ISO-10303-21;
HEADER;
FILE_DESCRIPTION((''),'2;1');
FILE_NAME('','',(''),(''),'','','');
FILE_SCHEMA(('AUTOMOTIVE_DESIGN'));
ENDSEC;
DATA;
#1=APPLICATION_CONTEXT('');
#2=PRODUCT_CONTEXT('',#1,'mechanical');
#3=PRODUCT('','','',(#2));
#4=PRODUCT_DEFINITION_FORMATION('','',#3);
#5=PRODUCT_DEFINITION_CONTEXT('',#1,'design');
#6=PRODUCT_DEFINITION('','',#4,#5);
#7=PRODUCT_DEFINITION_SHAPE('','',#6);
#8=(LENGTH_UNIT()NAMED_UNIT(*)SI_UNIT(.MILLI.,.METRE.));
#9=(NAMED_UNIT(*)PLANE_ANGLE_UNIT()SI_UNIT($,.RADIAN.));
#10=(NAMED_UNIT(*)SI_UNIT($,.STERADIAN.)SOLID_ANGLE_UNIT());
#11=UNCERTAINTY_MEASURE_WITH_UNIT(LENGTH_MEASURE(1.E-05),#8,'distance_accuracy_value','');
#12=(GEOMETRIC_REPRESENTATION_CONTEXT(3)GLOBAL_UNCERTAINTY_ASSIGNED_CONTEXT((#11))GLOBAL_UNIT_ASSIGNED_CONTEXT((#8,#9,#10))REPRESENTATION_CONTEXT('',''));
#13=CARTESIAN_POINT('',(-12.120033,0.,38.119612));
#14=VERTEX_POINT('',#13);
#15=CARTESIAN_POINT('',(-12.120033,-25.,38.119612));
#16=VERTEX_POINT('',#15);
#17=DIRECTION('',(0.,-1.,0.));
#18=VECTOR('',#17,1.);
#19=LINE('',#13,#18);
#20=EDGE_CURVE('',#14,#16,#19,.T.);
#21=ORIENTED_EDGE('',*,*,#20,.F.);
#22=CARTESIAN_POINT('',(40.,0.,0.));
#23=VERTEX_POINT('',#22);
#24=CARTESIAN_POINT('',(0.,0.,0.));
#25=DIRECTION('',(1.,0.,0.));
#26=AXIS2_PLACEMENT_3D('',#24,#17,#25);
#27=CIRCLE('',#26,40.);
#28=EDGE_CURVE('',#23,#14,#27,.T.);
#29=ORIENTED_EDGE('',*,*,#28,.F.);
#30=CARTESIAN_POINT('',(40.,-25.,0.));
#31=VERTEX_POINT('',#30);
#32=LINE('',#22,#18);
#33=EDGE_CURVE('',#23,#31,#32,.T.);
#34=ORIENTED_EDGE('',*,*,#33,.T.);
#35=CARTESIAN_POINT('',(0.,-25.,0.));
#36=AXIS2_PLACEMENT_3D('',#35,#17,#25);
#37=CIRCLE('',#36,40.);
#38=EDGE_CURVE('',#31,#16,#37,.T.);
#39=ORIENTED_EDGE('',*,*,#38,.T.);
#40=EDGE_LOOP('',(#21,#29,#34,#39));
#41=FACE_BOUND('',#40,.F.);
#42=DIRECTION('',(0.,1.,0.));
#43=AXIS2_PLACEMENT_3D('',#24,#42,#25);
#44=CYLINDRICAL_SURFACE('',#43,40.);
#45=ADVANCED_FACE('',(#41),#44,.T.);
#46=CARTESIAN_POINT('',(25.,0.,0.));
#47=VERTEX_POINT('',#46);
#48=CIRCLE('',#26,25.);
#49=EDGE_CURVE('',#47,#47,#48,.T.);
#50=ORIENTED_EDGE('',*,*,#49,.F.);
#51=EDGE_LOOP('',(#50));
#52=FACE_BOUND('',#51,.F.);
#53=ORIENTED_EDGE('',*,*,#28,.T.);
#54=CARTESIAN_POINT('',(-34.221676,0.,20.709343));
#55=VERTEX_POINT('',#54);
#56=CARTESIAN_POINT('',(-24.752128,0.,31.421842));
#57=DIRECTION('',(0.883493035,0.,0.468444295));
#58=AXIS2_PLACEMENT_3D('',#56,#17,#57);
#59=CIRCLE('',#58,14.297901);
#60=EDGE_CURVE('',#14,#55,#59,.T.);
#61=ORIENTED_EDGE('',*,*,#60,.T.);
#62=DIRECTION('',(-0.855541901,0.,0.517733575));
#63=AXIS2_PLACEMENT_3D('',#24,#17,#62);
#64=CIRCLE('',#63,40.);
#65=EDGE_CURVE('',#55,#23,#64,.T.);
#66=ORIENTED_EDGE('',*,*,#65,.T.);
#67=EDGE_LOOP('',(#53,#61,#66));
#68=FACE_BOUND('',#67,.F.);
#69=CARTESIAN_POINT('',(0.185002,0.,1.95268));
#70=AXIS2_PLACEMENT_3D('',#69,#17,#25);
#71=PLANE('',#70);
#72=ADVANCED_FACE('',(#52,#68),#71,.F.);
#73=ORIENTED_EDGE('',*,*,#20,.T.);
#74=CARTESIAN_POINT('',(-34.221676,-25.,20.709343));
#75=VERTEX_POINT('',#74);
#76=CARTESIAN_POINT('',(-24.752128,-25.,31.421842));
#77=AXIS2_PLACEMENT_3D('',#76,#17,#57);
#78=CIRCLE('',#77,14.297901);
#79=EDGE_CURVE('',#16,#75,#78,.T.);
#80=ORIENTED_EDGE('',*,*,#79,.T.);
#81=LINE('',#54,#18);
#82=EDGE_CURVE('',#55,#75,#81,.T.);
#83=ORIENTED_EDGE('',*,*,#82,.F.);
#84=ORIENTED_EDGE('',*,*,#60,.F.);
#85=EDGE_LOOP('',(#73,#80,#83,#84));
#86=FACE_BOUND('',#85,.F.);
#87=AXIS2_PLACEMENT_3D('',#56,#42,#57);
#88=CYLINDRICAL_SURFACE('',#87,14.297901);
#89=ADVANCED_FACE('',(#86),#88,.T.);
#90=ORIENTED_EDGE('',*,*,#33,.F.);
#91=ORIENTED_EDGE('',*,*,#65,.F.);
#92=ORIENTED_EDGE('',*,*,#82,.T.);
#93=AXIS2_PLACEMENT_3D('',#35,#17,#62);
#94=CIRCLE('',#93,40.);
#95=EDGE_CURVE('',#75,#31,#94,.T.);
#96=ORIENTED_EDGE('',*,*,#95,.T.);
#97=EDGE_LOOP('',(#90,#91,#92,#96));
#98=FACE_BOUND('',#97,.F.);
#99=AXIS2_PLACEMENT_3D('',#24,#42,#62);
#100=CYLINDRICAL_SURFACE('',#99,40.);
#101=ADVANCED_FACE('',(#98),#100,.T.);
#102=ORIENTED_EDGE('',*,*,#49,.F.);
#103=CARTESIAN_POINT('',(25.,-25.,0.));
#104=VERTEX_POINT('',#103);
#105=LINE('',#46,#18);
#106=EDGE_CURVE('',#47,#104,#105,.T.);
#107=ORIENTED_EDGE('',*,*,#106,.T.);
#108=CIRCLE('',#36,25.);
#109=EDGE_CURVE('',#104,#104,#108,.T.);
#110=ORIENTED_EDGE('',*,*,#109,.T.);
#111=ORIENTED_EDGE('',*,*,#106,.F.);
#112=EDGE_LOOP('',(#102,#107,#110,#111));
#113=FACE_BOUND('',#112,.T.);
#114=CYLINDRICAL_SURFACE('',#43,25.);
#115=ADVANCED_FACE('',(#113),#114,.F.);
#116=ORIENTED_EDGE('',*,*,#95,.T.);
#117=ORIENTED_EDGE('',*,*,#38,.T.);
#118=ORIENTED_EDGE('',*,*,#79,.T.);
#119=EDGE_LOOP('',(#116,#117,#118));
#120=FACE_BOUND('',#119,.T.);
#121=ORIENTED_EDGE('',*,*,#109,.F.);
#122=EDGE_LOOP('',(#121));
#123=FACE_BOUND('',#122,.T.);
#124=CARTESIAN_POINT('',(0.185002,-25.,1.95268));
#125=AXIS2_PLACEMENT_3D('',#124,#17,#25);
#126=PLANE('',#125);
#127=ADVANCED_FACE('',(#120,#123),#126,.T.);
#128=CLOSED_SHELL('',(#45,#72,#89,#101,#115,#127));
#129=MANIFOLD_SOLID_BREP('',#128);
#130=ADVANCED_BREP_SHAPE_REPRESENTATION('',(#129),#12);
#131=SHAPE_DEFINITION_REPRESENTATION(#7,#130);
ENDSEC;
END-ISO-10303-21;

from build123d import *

# Parameters (mm, degrees)
F0_R     = 25
F1_DEPTH = 25


with BuildPart() as f1:
    # F0 (on Front) → F1 (new body)
    with BuildSketch(Plane.XZ):
        with BuildLine():
            ThreePointArc((-34.2216760569, 20.7093430087), (-10.7501850617, -38.5283469817), (40, 0))
            ThreePointArc((40, 0), (23.6135416515, 32.2862300474), (-12.1200325336, 38.1196118997))
            ThreePointArc((-12.1200325336, 38.1196118997), (-10.8769270551, 34.872748618), (-10.4542275067, 31.4218418543))
            ThreePointArc((-10.4542275067, 31.4218418543), (-18.876955429, 18.3868002154), (-34.2216760569, 20.7093430087))
        make_face()
        Circle(F0_R, mode=Mode.SUBTRACT)
        with BuildLine():
            ThreePointArc((-10.4542275067, 31.4218418543), (-10.8769270551, 34.872748618), (-12.1200325336, 38.1196118997))
            ThreePointArc((-12.1200325336, 38.1196118997), (-24.752128282, 31.4218418543), (-34.2216760569, 20.7093430087))
            ThreePointArc((-34.2216760569, 20.7093430087), (-18.876955429, 18.3868002154), (-10.4542275067, 31.4218418543))
        make_face()
        with BuildLine():
            ThreePointArc((-34.2216760569, 20.7093430087), (-24.752128282, 31.4218418543), (-12.1200325336, 38.1196118997))
            ThreePointArc((-12.1200325336, 38.1196118997), (-33.5997151357, 42.6535012794), (-34.2216760569, 20.7093430087))
        make_face()
    extrude(amount=F1_DEPTH)


solid = f1.part
